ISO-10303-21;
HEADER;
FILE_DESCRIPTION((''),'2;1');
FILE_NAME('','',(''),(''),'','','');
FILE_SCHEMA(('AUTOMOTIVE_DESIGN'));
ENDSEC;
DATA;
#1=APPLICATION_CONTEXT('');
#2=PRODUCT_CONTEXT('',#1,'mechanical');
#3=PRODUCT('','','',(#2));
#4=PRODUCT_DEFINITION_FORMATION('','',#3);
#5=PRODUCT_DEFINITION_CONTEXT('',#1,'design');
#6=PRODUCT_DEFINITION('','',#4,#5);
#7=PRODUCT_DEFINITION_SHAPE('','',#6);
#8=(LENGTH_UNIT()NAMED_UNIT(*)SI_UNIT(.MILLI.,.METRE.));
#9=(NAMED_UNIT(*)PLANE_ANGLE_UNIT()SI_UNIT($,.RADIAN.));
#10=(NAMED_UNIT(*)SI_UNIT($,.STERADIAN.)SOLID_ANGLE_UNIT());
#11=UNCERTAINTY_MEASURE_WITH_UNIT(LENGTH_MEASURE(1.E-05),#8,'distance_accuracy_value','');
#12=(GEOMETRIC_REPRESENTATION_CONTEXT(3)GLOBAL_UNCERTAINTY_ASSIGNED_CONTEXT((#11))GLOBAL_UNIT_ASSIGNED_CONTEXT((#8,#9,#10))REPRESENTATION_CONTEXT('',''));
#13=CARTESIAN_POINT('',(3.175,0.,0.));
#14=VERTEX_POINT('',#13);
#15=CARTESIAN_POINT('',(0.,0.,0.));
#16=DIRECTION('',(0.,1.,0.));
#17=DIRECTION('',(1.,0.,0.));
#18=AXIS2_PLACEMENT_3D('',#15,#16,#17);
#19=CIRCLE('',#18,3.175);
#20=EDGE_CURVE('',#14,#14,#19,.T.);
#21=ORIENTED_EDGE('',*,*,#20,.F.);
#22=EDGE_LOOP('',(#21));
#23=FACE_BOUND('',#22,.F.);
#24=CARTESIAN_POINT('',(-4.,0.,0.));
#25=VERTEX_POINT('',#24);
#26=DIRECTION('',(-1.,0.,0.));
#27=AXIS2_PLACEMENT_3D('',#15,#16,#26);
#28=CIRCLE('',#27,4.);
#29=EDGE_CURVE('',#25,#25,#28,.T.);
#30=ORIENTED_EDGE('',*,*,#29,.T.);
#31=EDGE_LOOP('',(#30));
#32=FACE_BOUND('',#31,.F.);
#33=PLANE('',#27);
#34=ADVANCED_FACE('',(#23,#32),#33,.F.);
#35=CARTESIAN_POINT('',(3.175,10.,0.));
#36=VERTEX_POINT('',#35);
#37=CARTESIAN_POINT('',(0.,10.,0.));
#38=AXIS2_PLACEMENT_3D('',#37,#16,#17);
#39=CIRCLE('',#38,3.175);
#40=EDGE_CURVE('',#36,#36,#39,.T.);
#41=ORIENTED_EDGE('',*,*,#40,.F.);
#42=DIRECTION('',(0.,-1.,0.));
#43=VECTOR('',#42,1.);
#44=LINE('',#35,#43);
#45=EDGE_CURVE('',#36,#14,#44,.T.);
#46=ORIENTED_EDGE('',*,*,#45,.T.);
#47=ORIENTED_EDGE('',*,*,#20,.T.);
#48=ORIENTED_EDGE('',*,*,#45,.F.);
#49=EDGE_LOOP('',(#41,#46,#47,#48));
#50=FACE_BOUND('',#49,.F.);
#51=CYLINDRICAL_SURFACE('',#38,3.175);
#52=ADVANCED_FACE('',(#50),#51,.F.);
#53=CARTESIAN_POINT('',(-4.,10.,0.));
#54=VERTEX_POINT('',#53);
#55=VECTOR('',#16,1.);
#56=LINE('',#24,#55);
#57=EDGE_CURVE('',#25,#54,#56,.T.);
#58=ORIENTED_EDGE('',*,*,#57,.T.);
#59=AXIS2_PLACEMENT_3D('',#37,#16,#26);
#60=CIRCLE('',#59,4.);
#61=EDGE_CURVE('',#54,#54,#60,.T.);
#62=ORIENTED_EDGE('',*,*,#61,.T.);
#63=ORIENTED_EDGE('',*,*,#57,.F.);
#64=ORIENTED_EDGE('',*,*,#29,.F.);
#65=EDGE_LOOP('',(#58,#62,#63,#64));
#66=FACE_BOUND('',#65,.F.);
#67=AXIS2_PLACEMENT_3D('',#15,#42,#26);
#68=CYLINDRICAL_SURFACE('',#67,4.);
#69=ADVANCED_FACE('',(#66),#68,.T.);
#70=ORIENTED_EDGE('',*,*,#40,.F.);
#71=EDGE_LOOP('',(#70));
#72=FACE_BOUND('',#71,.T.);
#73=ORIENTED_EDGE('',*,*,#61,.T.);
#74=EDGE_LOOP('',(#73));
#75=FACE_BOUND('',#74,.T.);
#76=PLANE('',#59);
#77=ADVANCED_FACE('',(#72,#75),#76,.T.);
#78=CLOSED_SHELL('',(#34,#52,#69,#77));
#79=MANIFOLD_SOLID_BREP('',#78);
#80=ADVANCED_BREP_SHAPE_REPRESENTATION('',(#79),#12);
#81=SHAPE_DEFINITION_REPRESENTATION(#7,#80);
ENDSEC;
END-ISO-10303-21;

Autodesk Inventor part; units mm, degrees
ref_plane "YZ Plane" through (0, 0, 0) normal (1, 0, 0) x (0, 1, 0)
ref_plane "XZ Plane" through (0, 0, 0) normal (0, 1, 0) x (-1, 0, 0)
ref_plane "XY Plane" through (0, 0, 0) normal (0, 0, 1) x (1, 0, 0)
sketch "Sketch1" plane through (0, 0, 0) normal (0, 1, 0) x (-1, 0, 0)
  circle A0 centre (0, 0) radius 4
  dimension "d13" = 8
extrude "Extrusion1" add sketch "Sketch1" along normal blind 10
sketch "Sketch3" plane through (0, 10, 0) normal (0, 1, 0) x (1, 0, 0)
  circle A0 centre (0, 0) radius 3.175
  dimension "d27" = 6.35
extrude "Extrusion2" cut sketch "Sketch3" against normal blind 20
thread "Thread3" size "M7x1" class "6H" standard "ANSI Metric M Profile" length 10
properties part number "Standoff_v2"
